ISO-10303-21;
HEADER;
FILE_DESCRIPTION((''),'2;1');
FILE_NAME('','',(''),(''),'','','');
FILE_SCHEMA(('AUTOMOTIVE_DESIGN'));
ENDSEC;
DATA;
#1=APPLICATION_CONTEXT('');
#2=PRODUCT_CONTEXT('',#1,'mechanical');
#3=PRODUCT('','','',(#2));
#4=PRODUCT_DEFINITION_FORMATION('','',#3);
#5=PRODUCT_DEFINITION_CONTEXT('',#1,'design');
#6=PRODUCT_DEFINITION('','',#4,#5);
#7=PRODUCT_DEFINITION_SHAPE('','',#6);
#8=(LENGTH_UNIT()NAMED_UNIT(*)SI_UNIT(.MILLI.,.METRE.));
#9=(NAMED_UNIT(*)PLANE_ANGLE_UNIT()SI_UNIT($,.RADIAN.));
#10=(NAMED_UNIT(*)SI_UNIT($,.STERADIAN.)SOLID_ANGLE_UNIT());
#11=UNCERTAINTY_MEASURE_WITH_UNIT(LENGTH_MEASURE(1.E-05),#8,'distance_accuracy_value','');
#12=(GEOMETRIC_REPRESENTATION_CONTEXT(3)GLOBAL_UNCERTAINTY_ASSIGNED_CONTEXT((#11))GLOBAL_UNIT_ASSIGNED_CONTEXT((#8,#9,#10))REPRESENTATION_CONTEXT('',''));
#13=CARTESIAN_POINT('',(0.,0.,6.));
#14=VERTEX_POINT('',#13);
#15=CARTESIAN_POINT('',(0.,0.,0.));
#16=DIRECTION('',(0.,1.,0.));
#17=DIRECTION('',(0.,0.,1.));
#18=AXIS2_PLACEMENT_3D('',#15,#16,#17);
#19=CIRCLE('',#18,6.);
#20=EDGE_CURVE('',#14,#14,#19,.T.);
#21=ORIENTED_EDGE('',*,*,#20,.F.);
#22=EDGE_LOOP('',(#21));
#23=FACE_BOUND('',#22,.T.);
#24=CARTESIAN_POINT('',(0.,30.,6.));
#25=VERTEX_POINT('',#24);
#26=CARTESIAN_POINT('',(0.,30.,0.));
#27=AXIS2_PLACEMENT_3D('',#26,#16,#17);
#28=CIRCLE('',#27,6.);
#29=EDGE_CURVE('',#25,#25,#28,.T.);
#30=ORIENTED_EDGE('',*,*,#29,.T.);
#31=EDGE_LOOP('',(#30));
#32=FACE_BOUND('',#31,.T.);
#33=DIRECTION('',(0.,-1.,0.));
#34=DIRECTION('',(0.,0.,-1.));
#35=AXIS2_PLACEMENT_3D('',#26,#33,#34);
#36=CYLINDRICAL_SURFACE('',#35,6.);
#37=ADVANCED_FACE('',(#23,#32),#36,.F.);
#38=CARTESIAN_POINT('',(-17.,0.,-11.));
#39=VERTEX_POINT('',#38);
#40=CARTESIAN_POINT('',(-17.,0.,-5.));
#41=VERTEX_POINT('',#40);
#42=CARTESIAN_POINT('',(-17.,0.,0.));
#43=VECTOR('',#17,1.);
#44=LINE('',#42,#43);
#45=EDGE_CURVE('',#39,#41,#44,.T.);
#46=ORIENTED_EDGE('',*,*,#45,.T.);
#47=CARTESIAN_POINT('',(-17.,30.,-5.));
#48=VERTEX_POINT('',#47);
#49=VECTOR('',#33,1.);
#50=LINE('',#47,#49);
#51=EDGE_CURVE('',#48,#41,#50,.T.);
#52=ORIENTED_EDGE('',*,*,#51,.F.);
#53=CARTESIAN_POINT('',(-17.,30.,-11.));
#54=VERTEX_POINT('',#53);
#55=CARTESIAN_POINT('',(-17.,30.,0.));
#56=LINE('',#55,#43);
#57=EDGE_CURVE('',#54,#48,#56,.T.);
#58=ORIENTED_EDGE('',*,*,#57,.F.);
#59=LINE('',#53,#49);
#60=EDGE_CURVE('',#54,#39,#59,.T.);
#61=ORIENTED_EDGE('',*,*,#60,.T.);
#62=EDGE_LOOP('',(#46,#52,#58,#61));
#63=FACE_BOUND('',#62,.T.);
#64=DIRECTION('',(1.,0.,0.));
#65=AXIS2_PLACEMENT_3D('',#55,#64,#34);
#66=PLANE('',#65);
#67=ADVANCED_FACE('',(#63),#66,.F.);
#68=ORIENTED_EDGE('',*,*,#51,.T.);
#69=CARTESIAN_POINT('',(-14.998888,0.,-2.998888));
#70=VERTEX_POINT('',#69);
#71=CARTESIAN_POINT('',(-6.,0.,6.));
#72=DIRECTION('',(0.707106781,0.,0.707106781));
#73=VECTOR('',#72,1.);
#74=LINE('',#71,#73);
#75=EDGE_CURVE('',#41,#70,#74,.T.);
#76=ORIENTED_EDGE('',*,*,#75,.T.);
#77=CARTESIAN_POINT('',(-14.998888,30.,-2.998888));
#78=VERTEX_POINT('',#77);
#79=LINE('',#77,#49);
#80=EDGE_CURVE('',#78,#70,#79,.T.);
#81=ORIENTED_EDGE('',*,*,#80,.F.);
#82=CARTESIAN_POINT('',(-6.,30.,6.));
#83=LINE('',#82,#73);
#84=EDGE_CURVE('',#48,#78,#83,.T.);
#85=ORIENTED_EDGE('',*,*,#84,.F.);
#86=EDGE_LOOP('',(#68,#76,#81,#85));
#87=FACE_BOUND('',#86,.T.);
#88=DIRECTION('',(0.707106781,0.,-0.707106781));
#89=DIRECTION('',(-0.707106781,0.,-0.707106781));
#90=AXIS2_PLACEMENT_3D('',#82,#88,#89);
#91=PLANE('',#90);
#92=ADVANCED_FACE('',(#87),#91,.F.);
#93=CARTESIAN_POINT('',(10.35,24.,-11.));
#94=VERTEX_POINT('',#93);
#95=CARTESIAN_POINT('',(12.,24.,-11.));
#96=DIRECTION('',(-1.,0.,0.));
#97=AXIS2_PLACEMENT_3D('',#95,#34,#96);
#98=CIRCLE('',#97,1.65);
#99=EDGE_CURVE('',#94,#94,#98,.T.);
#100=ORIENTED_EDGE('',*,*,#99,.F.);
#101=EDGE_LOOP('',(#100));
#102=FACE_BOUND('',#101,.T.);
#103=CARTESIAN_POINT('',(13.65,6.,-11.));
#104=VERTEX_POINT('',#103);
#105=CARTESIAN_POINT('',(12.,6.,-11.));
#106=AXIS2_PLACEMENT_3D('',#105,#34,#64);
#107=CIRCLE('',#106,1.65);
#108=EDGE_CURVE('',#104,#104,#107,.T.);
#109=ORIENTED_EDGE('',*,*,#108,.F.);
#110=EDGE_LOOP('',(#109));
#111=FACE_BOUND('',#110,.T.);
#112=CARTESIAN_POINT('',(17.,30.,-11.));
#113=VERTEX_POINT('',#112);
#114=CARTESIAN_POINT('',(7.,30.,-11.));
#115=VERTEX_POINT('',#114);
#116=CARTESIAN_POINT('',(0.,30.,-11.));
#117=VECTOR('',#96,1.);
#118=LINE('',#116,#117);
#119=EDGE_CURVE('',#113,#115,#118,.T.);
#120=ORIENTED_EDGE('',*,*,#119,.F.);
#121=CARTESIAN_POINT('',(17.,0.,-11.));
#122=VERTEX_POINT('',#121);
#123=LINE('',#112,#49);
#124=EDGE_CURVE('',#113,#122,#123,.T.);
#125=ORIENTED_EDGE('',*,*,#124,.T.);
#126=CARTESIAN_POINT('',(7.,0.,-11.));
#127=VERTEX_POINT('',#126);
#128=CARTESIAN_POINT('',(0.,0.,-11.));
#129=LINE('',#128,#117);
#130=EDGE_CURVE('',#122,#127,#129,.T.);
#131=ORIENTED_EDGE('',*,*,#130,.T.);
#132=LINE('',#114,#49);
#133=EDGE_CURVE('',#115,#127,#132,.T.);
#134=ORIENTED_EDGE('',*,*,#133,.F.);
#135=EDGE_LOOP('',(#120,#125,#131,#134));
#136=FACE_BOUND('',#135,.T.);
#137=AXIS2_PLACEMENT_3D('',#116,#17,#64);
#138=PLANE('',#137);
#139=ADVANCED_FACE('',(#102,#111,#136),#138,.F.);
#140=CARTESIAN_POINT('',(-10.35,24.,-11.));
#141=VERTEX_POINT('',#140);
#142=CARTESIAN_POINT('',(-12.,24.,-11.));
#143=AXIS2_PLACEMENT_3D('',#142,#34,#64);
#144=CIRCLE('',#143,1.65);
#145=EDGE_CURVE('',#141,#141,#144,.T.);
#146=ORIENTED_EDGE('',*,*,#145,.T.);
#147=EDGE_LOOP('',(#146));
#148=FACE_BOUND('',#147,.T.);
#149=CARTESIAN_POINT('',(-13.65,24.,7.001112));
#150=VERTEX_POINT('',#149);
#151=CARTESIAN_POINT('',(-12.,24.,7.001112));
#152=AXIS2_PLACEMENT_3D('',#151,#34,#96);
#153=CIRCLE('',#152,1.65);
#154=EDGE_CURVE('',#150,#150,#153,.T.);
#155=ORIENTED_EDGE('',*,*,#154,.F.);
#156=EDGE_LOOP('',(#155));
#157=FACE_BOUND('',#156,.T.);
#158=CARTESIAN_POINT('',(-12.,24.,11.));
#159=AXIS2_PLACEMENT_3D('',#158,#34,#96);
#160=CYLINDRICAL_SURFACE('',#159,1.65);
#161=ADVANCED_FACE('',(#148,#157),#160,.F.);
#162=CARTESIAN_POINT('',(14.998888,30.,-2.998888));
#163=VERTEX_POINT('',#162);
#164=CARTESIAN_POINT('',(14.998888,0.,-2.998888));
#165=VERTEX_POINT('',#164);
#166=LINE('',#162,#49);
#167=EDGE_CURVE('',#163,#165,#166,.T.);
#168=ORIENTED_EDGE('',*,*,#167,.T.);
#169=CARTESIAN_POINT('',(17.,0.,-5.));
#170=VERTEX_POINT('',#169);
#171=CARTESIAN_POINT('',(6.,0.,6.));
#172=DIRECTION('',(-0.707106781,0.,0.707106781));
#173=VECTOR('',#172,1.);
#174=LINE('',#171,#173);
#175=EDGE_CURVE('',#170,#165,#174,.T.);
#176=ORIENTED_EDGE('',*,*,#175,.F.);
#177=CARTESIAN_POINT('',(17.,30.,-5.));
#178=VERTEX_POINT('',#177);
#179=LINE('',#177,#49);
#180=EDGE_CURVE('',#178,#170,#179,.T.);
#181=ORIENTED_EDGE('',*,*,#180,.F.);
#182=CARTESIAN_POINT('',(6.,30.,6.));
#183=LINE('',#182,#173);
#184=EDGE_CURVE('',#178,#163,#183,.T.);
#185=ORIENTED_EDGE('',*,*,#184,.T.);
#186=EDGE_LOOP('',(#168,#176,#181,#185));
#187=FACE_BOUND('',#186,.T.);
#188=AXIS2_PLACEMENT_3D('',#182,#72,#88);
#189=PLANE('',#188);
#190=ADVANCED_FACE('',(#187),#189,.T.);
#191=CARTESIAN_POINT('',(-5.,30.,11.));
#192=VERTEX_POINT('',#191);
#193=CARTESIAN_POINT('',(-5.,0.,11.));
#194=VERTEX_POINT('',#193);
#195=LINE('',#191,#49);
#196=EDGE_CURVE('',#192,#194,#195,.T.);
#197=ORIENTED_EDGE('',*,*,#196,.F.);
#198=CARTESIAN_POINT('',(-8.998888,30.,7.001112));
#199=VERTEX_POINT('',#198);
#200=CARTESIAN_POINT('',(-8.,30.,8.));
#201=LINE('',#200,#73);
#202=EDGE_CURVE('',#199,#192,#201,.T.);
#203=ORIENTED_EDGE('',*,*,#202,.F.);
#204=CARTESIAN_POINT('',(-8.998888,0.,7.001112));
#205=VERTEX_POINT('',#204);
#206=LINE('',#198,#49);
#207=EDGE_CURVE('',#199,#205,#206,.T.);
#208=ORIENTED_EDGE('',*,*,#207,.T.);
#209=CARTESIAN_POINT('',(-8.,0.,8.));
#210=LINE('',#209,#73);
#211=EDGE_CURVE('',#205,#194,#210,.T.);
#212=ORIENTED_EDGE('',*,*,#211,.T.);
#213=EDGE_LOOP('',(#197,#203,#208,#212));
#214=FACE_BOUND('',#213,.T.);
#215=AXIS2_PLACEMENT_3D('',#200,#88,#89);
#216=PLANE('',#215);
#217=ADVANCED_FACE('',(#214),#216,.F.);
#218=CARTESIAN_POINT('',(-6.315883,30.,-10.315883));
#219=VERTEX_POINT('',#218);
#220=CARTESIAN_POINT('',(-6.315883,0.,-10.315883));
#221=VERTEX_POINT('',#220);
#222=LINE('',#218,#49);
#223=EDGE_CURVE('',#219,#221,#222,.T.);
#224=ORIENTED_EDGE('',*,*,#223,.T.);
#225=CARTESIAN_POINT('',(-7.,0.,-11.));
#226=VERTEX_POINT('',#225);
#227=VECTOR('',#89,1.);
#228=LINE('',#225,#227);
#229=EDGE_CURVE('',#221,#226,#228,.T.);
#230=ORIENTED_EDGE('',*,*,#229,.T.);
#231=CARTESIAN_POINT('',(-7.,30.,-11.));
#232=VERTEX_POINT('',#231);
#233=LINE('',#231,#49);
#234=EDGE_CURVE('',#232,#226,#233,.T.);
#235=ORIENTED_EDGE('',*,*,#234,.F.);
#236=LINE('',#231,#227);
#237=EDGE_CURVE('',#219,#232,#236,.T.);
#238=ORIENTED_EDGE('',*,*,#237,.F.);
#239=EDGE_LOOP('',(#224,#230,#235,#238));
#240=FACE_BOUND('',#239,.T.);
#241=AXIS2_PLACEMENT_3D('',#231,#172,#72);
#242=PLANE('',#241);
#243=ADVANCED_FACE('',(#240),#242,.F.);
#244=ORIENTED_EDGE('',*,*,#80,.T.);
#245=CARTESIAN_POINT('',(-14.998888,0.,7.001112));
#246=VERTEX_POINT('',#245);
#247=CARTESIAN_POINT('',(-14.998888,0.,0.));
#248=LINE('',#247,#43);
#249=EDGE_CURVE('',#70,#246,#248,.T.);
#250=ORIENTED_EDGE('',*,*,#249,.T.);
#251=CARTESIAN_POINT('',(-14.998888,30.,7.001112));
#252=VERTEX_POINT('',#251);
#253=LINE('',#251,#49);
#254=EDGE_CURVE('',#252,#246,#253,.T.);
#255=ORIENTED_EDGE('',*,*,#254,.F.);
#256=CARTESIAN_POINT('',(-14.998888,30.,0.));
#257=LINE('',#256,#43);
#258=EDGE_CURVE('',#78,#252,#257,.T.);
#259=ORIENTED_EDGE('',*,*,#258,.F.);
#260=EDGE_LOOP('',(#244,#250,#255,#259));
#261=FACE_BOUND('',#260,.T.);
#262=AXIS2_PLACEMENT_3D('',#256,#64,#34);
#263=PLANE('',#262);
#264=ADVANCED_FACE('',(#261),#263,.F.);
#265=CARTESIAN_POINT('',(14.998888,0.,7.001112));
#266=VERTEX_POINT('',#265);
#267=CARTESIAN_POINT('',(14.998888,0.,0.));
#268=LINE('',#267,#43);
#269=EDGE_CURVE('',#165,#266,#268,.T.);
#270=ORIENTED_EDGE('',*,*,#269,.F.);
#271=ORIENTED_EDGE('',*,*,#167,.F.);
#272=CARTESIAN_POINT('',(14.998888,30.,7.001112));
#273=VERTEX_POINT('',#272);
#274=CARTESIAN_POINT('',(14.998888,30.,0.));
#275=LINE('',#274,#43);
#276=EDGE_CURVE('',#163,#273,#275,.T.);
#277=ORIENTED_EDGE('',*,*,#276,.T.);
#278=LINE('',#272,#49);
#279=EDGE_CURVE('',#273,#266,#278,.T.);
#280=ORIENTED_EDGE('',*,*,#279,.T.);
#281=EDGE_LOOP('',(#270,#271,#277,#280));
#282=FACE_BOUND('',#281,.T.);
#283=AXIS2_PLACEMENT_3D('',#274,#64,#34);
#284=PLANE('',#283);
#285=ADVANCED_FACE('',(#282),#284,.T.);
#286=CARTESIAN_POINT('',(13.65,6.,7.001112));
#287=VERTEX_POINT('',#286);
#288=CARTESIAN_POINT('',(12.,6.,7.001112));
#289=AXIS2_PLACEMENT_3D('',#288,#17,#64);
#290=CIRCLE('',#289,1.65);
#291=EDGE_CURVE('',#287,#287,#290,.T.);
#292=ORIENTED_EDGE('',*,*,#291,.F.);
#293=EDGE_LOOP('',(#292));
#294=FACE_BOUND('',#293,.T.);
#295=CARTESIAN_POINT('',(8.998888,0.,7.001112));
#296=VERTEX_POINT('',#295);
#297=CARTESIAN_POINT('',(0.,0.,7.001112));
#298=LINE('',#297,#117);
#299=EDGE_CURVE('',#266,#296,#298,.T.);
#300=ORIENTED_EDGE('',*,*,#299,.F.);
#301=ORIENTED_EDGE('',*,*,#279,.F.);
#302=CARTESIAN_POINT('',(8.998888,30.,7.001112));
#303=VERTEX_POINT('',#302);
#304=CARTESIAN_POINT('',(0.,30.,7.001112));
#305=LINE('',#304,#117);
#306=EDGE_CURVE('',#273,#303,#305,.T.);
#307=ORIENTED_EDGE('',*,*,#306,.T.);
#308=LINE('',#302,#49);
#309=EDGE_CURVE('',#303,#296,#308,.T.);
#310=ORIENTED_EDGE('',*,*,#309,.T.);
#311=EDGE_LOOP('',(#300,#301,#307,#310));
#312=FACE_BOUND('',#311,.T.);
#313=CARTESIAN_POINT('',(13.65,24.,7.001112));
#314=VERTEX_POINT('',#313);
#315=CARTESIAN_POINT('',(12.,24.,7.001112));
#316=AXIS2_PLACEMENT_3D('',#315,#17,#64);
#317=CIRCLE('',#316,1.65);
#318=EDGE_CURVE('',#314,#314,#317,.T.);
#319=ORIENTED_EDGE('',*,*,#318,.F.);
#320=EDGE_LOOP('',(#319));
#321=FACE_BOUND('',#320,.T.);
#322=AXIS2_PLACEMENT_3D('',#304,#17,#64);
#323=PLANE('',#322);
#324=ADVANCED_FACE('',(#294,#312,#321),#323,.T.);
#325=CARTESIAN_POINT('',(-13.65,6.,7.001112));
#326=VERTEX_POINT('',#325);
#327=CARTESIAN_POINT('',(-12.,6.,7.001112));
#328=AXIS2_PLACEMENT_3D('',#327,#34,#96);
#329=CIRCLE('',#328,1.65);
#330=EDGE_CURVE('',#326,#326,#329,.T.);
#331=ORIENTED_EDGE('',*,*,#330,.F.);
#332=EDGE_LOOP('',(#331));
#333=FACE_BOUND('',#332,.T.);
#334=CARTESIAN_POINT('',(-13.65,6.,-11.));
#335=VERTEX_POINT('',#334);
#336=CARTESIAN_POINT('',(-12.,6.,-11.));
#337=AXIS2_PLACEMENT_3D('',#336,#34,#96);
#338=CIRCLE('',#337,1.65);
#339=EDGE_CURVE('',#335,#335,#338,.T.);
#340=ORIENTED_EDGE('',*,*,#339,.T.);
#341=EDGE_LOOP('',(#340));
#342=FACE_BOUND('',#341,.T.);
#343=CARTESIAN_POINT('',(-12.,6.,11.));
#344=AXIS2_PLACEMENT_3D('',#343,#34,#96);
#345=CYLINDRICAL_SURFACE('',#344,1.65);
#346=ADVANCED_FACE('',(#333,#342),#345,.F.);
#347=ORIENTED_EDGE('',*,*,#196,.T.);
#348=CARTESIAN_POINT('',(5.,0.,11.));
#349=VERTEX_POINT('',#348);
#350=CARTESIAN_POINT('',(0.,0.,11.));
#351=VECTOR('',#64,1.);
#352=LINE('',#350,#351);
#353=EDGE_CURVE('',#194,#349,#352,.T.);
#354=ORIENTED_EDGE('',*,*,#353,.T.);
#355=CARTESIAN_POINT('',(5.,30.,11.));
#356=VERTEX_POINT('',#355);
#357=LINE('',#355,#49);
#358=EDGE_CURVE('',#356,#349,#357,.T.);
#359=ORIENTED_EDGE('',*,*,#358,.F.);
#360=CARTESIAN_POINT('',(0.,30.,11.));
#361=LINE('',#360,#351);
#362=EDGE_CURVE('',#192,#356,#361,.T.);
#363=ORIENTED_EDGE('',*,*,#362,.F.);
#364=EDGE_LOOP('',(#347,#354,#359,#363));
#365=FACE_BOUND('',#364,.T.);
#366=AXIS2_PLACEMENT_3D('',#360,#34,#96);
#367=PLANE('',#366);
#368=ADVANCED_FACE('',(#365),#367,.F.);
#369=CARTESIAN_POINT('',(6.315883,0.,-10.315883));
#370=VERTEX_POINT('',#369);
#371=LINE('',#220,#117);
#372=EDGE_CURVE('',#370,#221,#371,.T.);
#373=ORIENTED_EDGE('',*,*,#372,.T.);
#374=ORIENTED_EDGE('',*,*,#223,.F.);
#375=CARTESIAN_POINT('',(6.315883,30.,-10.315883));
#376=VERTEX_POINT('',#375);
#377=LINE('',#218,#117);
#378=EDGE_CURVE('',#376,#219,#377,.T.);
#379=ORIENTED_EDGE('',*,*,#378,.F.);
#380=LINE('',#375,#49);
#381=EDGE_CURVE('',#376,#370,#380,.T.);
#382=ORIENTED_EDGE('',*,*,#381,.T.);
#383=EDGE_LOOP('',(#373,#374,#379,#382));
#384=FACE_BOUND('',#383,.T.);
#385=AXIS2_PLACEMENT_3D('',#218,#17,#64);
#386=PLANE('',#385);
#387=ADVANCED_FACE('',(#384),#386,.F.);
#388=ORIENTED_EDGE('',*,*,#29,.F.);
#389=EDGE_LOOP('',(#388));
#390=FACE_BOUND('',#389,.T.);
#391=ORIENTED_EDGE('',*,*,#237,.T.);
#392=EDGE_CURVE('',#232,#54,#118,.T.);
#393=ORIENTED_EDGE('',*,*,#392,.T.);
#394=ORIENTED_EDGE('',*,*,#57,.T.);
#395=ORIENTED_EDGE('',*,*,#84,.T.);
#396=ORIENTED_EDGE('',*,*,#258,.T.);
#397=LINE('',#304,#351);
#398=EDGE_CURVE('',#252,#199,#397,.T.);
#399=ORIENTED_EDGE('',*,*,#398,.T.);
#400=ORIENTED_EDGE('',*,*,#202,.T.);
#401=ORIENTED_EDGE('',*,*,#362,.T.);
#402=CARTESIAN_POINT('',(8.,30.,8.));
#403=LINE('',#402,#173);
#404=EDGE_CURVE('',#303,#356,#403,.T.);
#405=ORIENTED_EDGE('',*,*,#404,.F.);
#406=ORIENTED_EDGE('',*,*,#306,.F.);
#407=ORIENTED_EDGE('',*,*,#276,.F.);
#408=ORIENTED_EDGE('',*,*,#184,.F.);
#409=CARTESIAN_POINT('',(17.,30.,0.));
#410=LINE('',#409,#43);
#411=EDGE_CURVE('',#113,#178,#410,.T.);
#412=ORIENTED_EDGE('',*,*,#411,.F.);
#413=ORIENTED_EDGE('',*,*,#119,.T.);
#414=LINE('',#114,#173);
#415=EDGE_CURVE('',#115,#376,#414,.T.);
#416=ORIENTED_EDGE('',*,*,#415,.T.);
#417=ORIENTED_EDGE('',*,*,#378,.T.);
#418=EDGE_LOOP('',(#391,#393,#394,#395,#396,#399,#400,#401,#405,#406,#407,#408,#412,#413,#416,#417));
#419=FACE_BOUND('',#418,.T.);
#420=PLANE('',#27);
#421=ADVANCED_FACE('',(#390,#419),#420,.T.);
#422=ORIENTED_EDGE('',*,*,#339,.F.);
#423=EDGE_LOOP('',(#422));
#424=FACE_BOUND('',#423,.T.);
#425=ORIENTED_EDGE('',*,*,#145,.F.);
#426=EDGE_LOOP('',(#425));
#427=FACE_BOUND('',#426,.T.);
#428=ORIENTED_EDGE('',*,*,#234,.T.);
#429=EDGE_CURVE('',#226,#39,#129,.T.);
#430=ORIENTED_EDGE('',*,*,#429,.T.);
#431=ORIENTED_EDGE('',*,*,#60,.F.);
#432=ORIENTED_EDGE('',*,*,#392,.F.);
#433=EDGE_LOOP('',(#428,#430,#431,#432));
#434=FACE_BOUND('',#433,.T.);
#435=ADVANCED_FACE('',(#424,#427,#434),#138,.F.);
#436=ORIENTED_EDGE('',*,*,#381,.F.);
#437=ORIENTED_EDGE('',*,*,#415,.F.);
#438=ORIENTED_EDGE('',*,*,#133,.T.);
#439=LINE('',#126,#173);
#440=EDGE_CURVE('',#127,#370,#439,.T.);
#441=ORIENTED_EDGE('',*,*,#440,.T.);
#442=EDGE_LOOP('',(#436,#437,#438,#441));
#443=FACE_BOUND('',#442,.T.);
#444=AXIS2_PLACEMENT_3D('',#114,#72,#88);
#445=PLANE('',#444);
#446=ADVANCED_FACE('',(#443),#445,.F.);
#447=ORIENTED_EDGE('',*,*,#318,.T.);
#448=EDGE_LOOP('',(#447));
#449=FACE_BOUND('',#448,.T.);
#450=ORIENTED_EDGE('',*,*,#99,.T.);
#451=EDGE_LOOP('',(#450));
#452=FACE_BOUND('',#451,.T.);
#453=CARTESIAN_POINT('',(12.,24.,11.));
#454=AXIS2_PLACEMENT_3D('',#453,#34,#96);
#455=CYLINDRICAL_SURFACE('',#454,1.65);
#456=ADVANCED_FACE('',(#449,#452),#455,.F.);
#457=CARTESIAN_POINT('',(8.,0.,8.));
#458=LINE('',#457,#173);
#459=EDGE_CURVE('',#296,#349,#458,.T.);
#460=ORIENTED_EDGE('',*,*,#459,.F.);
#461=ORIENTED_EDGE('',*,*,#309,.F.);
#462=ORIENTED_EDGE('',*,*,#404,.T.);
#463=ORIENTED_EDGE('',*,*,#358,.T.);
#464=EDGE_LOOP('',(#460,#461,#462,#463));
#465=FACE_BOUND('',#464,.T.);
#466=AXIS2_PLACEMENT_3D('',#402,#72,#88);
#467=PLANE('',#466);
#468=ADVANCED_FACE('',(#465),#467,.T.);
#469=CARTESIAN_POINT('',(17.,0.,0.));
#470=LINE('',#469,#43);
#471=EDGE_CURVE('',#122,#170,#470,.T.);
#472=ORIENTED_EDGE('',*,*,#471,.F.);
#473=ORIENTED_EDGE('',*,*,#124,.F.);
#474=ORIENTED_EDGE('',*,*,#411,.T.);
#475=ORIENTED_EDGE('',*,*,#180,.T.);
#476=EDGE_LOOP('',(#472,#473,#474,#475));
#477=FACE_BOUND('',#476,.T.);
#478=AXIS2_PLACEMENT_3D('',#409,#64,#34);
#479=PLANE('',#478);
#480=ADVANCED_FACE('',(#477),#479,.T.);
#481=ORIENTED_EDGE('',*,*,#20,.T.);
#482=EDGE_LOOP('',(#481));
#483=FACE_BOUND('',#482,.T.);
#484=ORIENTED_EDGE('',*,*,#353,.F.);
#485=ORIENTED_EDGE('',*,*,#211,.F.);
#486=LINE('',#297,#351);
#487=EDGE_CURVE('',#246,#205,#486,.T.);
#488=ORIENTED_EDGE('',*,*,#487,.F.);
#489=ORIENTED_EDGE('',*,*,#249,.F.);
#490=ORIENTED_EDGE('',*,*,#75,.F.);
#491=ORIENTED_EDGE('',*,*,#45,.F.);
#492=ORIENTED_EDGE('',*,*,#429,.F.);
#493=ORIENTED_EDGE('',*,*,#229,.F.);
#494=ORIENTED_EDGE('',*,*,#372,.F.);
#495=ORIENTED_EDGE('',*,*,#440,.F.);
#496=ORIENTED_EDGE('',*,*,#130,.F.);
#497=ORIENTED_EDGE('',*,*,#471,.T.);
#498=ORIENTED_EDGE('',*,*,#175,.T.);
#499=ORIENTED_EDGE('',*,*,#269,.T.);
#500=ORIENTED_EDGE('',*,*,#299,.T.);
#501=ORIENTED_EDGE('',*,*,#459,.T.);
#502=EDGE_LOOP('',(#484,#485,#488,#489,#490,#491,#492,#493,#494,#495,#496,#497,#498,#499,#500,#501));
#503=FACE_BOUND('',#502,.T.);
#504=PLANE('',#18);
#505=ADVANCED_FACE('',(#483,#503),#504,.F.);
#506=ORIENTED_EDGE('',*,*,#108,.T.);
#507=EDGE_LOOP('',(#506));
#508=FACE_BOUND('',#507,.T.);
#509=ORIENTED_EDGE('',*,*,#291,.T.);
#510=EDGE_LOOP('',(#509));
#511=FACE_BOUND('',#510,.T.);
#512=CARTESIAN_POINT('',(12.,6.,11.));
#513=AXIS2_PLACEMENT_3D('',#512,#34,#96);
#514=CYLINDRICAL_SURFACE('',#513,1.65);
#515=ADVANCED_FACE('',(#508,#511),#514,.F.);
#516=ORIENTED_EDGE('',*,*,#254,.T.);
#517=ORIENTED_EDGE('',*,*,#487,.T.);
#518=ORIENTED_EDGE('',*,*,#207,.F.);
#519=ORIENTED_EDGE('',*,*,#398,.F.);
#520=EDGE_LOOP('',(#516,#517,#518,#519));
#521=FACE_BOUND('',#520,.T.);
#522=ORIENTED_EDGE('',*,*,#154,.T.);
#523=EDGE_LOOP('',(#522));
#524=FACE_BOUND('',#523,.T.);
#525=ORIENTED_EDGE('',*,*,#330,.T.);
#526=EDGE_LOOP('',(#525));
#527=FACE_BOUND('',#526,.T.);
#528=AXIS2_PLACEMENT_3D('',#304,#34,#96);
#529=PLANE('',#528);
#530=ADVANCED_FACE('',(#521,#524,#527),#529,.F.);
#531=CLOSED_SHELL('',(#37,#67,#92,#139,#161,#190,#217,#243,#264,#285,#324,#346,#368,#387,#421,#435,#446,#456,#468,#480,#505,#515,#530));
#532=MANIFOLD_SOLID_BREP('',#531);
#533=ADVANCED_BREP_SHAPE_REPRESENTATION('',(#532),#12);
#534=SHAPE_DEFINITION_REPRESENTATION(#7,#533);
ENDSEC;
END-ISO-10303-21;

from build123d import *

# Parameters (mm, degrees)
SKETCH1_R           = 6
BOSS_EXTRUDE1_DEPTH = 30
SKETCH2_R           = 1.65
CUT_EXTRUDE1_DEPTH  = 41.902322672
CUT_EXTRUDE2_DEPTH  = 37.193922142


with BuildPart() as part:
    # Sketch1 → Boss-Extrude1 (new body)
    with BuildSketch(Plane(origin=(0, 0, 0), x_dir=(1, 0, 0), z_dir=(0, 1, 0))):
        Polygon((17, 11), (17, 5), (14.998887809, 2.998887809), (14.998887809, -7.001112191), (8.998887809, -7.001112191), (5, -11), (-5, -11), (-8.998887809, -7.001112191), (-14.998887809, -7.001112191), (-14.998887809, 2.998887809), (-17, 5), (-17, 11), align=None)
        with Locations(Location((0, 0, 0), (0, 0, 270))):
            Circle(SKETCH1_R, mode=Mode.SUBTRACT)
    extrude(amount=BOSS_EXTRUDE1_DEPTH)

    # Sketch2 → Cut-Extrude1 (cut, through all)
    with BuildSketch(Plane(origin=(0, 0, -11), x_dir=(-1, 0, 0), z_dir=(0, 0, -1))):
        with Locations((12, 6)):
            Circle(SKETCH2_R)
        with Locations(Location((-12, 6, 0), (0, 0, 180))):
            Circle(SKETCH2_R)
        with Locations((12, 24)):
            Circle(SKETCH2_R)
        with Locations((-12, 24)):
            Circle(SKETCH2_R)
    extrude(amount=-CUT_EXTRUDE1_DEPTH, mode=Mode.SUBTRACT)

    # Sketch3 → Cut-Extrude2 (cut, through all)
    with BuildSketch(Plane.XZ):
        Polygon((-6.31588303, -10.31588303), (6.31588303, -10.31588303), (7, -11), (-7, -11), align=None)
    extrude(amount=-CUT_EXTRUDE2_DEPTH, mode=Mode.SUBTRACT)


solid = part.part
